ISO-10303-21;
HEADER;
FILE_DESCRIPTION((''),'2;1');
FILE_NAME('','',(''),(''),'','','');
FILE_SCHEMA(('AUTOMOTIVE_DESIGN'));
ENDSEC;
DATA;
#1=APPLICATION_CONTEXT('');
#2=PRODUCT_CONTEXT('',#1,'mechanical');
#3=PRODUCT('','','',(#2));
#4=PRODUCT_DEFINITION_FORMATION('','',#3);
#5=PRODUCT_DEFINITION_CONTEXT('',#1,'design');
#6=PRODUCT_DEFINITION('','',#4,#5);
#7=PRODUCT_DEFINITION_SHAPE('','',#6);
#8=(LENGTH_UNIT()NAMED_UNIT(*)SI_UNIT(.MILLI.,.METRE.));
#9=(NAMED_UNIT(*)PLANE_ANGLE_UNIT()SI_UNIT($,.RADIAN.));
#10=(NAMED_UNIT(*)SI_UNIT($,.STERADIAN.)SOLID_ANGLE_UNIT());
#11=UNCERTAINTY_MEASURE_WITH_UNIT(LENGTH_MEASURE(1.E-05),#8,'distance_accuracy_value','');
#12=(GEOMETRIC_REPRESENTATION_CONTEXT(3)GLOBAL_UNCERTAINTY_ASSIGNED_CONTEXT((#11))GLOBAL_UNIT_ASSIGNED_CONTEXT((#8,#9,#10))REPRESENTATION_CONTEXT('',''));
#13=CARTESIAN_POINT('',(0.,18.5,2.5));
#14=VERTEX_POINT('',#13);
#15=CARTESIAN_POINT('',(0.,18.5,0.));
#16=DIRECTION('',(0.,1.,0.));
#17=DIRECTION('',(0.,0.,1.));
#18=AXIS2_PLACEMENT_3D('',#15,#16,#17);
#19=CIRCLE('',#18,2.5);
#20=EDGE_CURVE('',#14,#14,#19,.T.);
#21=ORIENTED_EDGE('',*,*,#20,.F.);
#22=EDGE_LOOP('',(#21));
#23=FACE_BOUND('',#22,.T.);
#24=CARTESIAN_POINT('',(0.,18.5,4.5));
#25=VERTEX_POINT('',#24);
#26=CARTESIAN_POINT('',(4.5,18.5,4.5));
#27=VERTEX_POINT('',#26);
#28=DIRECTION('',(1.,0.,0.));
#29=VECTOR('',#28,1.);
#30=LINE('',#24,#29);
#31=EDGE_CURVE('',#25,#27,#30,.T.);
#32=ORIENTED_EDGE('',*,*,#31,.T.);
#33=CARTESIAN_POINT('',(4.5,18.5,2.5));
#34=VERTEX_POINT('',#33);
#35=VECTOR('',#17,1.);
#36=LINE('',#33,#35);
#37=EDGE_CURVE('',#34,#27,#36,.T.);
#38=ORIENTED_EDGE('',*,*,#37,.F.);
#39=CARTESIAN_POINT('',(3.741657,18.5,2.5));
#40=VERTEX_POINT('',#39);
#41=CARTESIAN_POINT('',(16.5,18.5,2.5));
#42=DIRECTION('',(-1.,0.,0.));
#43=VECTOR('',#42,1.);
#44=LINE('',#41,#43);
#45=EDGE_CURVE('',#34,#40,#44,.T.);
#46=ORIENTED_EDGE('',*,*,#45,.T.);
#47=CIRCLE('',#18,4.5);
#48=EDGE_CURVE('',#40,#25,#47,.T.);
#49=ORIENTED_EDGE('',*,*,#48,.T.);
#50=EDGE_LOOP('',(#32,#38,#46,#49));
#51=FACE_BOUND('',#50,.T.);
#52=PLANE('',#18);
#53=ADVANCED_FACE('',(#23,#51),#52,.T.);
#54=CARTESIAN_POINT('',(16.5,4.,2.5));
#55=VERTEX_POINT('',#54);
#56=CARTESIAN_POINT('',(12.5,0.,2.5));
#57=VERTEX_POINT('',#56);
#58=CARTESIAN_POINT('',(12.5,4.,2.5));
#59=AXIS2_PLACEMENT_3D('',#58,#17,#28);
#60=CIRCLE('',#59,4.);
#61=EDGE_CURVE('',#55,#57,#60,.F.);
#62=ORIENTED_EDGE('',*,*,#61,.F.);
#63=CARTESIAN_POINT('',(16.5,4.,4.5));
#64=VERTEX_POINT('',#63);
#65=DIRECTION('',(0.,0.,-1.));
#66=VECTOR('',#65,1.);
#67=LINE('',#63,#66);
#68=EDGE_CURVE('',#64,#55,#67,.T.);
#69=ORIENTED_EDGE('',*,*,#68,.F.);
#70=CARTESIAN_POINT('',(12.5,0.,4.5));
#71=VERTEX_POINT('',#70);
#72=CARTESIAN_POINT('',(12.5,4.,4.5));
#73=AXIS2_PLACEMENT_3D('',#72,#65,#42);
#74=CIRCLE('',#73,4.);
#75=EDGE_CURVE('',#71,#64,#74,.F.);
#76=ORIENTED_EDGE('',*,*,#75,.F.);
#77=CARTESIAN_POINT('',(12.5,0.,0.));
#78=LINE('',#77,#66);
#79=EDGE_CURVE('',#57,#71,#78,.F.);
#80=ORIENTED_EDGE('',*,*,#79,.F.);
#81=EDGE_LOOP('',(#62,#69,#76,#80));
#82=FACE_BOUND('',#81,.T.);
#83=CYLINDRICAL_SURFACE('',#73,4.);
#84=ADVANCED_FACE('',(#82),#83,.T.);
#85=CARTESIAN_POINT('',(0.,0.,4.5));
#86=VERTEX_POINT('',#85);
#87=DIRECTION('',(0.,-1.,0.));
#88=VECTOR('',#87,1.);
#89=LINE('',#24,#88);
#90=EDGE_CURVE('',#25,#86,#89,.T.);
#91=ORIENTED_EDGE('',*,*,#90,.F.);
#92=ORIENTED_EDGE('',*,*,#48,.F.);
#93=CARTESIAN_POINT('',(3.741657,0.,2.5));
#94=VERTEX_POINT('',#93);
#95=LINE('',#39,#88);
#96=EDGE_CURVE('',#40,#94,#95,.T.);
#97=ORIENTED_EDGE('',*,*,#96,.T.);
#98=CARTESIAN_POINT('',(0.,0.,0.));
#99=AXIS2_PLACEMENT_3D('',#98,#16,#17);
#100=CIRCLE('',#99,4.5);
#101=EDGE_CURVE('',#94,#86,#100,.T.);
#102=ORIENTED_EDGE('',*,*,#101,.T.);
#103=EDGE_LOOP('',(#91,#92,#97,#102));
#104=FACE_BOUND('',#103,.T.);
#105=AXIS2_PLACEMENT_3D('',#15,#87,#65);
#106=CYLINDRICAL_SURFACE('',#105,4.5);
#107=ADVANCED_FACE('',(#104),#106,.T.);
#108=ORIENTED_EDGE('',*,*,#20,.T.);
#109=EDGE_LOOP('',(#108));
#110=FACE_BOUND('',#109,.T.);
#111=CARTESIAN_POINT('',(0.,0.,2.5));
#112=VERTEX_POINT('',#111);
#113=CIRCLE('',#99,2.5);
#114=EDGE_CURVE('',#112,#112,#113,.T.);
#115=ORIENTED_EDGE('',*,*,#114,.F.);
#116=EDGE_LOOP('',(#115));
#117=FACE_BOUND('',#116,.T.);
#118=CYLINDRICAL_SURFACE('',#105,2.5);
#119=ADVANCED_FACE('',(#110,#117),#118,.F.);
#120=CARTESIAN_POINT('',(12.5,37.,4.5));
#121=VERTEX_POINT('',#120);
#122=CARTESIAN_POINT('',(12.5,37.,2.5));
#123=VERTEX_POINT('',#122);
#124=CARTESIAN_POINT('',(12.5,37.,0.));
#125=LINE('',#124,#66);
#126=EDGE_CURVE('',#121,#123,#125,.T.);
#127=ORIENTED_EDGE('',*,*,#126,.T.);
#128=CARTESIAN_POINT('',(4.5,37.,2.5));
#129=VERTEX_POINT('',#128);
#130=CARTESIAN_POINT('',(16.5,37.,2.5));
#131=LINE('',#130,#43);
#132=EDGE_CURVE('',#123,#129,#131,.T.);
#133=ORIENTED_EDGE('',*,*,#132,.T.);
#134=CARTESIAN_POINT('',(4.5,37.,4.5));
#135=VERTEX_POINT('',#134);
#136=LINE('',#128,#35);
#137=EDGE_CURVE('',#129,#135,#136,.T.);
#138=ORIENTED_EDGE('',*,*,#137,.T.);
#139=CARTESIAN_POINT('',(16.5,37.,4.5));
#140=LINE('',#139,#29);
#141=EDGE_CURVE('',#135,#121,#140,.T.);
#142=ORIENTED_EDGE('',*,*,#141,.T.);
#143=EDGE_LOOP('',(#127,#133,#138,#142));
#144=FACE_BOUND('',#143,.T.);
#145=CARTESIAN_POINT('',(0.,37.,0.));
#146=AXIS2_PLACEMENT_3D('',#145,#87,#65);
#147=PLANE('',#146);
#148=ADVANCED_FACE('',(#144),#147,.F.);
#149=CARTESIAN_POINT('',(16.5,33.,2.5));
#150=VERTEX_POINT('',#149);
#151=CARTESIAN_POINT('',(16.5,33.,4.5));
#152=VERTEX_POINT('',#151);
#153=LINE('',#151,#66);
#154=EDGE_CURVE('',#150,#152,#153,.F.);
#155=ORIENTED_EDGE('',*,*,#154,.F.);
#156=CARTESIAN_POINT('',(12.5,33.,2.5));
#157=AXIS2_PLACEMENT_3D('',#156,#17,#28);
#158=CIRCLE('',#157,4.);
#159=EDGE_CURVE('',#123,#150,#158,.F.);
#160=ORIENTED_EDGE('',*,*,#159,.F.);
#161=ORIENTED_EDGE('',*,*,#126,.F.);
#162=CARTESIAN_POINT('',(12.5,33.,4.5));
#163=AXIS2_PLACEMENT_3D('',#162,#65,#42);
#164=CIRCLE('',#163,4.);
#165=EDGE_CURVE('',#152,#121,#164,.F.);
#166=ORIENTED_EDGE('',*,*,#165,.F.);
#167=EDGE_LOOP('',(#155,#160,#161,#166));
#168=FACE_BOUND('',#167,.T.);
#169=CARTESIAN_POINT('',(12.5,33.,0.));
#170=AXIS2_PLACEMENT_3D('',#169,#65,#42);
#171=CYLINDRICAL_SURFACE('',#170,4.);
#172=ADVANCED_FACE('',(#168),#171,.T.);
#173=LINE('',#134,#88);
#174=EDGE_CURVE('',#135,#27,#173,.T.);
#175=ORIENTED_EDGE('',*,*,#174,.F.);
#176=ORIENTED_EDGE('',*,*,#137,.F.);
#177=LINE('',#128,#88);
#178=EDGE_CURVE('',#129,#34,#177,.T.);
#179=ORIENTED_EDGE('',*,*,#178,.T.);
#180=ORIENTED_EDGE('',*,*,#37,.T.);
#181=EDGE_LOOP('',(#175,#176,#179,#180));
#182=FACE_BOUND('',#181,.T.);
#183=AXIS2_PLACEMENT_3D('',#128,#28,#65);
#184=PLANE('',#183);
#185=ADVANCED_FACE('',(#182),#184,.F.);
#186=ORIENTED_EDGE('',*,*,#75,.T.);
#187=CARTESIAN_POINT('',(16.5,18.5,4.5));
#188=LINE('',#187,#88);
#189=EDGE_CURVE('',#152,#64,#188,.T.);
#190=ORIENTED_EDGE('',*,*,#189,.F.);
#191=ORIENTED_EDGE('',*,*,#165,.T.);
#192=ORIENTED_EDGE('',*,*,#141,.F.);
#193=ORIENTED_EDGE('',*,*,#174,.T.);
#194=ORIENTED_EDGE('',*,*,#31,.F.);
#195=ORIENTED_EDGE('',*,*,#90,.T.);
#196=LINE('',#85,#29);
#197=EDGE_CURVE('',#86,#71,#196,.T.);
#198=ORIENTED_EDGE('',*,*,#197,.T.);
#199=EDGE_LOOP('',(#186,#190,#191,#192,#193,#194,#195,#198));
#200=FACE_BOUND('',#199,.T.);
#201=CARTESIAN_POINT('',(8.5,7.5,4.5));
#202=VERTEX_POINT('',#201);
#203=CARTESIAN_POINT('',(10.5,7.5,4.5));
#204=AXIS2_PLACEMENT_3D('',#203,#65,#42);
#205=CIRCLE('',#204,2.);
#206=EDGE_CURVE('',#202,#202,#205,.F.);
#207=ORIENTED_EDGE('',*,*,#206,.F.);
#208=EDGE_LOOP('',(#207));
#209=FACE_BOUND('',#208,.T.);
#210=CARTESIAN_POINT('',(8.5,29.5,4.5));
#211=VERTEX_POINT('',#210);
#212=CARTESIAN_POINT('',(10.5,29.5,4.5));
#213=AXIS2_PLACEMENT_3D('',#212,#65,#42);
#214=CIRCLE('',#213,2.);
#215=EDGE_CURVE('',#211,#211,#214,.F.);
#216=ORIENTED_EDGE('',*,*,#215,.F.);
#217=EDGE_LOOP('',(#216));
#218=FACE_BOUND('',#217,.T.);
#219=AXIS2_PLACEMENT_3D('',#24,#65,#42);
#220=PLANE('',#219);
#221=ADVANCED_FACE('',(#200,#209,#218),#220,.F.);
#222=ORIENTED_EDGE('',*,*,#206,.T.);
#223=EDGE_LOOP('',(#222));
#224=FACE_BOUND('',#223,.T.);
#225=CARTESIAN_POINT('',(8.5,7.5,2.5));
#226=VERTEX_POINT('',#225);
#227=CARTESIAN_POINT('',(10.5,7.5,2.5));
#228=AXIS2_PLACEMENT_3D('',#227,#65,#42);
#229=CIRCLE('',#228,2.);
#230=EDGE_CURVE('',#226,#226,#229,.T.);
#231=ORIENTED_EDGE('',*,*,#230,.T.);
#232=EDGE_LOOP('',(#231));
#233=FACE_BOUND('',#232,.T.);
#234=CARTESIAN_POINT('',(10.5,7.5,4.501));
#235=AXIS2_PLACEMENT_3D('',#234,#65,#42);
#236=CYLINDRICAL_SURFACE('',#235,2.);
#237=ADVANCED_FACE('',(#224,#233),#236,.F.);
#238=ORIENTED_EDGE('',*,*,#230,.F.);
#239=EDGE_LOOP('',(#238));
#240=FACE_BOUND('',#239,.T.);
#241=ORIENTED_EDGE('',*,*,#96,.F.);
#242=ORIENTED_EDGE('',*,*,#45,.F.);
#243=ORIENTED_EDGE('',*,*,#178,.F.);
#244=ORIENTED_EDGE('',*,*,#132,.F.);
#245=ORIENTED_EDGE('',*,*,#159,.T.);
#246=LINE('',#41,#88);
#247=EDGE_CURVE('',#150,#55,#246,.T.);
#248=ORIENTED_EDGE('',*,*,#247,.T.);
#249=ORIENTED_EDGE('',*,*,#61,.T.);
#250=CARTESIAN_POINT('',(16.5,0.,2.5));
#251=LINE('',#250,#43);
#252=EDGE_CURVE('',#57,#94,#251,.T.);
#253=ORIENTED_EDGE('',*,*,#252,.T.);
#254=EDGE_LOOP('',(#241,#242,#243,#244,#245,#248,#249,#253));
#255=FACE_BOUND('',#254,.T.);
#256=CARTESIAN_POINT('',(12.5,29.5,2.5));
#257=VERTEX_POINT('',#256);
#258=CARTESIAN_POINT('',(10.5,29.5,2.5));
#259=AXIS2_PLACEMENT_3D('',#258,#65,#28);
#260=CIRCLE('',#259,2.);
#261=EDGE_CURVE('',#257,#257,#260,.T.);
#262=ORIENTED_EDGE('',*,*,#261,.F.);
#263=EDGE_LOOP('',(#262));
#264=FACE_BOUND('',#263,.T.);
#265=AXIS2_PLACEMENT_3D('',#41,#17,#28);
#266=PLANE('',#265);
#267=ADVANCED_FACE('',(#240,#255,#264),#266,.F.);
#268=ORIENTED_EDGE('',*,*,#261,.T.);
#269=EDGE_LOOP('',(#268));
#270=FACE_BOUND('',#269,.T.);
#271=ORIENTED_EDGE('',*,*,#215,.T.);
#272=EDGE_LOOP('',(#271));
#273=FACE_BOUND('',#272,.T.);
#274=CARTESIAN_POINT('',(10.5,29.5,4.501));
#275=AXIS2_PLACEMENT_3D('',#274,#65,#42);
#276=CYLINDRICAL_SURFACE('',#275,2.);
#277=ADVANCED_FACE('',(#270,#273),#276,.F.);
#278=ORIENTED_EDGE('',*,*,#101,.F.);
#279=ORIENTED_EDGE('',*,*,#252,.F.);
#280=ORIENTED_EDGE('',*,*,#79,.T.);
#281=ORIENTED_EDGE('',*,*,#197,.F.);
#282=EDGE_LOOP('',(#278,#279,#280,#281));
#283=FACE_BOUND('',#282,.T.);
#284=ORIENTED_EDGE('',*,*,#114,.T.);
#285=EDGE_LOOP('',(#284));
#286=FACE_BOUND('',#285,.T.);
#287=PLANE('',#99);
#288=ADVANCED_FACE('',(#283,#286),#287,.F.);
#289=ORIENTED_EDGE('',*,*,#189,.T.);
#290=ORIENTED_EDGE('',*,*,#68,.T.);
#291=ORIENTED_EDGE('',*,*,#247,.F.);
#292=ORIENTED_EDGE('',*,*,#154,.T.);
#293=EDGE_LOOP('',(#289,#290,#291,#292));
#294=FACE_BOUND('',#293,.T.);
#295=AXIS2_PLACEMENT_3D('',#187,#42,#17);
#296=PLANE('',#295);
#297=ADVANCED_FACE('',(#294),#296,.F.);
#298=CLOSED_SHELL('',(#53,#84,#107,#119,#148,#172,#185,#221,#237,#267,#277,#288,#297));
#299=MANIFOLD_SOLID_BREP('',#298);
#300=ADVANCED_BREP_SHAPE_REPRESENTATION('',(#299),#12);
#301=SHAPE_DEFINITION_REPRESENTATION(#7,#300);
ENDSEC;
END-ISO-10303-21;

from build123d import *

# Parameters (mm, degrees)
SKETCH_1_R          = 2.5
EXTRUDE_1_DEPTH     = 18.5
SKETCH_2_W          = 12
SKETCH_2_H          = 2
EXTRUDE_2_DEPTH     = 18.5
CUT_EXTRUDE_1_REACH = 43.113
SKETCH_3_R          = 2
FILLET_1_R          = 4


with BuildPart() as part:
    # 草图1 → 凸台-拉伸1 (new body)
    with BuildSketch(Plane(origin=(0, 0, 0), x_dir=(1, 0, 0), z_dir=(0, 1, 0))):
        with BuildLine():
            Line((0, -4.5), (16.5, -4.5))
            Line((16.5, -4.5), (16.5, -2.5))
            Line((16.5, -2.5), (3.741657387, -2.5))
            ThreePointArc((3.741657387, -2.5), (-2.121320344, 3.968626967), (0, -4.5))
        make_face()
        with Locations(Location((0, 0, 0), (0, 0, 270))):
            Circle(SKETCH_1_R, mode=Mode.SUBTRACT)
    extrude(amount=EXTRUDE_1_DEPTH)

    # 草图2 → 凸台-拉伸2 (add)
    with BuildSketch(Plane(origin=(0, 18.5, 0), x_dir=(1, 0, 0), z_dir=(0, 1, 0))):
        with Locations((10.5, -3.5)):
            Rectangle(SKETCH_2_W, SKETCH_2_H)
    extrude(amount=EXTRUDE_2_DEPTH)

    # 草图3 → 切除-拉伸1 (cut, up to next)
    with BuildSketch(Plane(origin=(0, 0, 2.5), x_dir=(-1, 0, 0), z_dir=(0, 0, -1)), mode=Mode.PRIVATE) as cut_extrude_1_sk1:
        with Locations((-10.5, 7.5)):
            Circle(SKETCH_3_R)
    cut_extrude_1_tool1 = extrude(cut_extrude_1_sk1.sketch, amount=-CUT_EXTRUDE_1_REACH, mode=Mode.PRIVATE) & part.part
    # 草图3 → 切除-拉伸1 (cut, up to next)
    with BuildSketch(Plane(origin=(0, 0, 2.5), x_dir=(-1, 0, 0), z_dir=(0, 0, -1)), mode=Mode.PRIVATE) as cut_extrude_1_sk2:
        with Locations((-10.5, 29.5)):
            Circle(SKETCH_3_R)
    cut_extrude_1_tool2 = extrude(cut_extrude_1_sk2.sketch, amount=-CUT_EXTRUDE_1_REACH, mode=Mode.PRIVATE) & part.part
    add(cut_extrude_1_tool1.solids().sort_by_distance((10.5, 7.5, 2.5))[0], mode=Mode.SUBTRACT)
    add(cut_extrude_1_tool2.solids().sort_by_distance((10.5, 29.5, 2.5))[0], mode=Mode.SUBTRACT)

    # 圆角1
    fillet_1_edges = [part.edges().sort_by_distance(p)[0] for p in [
        (16.5, 37, 3.5),
        (16.5, 0, 3.5),
    ]]
    fillet(fillet_1_edges, radius=FILLET_1_R)


solid = part.part
